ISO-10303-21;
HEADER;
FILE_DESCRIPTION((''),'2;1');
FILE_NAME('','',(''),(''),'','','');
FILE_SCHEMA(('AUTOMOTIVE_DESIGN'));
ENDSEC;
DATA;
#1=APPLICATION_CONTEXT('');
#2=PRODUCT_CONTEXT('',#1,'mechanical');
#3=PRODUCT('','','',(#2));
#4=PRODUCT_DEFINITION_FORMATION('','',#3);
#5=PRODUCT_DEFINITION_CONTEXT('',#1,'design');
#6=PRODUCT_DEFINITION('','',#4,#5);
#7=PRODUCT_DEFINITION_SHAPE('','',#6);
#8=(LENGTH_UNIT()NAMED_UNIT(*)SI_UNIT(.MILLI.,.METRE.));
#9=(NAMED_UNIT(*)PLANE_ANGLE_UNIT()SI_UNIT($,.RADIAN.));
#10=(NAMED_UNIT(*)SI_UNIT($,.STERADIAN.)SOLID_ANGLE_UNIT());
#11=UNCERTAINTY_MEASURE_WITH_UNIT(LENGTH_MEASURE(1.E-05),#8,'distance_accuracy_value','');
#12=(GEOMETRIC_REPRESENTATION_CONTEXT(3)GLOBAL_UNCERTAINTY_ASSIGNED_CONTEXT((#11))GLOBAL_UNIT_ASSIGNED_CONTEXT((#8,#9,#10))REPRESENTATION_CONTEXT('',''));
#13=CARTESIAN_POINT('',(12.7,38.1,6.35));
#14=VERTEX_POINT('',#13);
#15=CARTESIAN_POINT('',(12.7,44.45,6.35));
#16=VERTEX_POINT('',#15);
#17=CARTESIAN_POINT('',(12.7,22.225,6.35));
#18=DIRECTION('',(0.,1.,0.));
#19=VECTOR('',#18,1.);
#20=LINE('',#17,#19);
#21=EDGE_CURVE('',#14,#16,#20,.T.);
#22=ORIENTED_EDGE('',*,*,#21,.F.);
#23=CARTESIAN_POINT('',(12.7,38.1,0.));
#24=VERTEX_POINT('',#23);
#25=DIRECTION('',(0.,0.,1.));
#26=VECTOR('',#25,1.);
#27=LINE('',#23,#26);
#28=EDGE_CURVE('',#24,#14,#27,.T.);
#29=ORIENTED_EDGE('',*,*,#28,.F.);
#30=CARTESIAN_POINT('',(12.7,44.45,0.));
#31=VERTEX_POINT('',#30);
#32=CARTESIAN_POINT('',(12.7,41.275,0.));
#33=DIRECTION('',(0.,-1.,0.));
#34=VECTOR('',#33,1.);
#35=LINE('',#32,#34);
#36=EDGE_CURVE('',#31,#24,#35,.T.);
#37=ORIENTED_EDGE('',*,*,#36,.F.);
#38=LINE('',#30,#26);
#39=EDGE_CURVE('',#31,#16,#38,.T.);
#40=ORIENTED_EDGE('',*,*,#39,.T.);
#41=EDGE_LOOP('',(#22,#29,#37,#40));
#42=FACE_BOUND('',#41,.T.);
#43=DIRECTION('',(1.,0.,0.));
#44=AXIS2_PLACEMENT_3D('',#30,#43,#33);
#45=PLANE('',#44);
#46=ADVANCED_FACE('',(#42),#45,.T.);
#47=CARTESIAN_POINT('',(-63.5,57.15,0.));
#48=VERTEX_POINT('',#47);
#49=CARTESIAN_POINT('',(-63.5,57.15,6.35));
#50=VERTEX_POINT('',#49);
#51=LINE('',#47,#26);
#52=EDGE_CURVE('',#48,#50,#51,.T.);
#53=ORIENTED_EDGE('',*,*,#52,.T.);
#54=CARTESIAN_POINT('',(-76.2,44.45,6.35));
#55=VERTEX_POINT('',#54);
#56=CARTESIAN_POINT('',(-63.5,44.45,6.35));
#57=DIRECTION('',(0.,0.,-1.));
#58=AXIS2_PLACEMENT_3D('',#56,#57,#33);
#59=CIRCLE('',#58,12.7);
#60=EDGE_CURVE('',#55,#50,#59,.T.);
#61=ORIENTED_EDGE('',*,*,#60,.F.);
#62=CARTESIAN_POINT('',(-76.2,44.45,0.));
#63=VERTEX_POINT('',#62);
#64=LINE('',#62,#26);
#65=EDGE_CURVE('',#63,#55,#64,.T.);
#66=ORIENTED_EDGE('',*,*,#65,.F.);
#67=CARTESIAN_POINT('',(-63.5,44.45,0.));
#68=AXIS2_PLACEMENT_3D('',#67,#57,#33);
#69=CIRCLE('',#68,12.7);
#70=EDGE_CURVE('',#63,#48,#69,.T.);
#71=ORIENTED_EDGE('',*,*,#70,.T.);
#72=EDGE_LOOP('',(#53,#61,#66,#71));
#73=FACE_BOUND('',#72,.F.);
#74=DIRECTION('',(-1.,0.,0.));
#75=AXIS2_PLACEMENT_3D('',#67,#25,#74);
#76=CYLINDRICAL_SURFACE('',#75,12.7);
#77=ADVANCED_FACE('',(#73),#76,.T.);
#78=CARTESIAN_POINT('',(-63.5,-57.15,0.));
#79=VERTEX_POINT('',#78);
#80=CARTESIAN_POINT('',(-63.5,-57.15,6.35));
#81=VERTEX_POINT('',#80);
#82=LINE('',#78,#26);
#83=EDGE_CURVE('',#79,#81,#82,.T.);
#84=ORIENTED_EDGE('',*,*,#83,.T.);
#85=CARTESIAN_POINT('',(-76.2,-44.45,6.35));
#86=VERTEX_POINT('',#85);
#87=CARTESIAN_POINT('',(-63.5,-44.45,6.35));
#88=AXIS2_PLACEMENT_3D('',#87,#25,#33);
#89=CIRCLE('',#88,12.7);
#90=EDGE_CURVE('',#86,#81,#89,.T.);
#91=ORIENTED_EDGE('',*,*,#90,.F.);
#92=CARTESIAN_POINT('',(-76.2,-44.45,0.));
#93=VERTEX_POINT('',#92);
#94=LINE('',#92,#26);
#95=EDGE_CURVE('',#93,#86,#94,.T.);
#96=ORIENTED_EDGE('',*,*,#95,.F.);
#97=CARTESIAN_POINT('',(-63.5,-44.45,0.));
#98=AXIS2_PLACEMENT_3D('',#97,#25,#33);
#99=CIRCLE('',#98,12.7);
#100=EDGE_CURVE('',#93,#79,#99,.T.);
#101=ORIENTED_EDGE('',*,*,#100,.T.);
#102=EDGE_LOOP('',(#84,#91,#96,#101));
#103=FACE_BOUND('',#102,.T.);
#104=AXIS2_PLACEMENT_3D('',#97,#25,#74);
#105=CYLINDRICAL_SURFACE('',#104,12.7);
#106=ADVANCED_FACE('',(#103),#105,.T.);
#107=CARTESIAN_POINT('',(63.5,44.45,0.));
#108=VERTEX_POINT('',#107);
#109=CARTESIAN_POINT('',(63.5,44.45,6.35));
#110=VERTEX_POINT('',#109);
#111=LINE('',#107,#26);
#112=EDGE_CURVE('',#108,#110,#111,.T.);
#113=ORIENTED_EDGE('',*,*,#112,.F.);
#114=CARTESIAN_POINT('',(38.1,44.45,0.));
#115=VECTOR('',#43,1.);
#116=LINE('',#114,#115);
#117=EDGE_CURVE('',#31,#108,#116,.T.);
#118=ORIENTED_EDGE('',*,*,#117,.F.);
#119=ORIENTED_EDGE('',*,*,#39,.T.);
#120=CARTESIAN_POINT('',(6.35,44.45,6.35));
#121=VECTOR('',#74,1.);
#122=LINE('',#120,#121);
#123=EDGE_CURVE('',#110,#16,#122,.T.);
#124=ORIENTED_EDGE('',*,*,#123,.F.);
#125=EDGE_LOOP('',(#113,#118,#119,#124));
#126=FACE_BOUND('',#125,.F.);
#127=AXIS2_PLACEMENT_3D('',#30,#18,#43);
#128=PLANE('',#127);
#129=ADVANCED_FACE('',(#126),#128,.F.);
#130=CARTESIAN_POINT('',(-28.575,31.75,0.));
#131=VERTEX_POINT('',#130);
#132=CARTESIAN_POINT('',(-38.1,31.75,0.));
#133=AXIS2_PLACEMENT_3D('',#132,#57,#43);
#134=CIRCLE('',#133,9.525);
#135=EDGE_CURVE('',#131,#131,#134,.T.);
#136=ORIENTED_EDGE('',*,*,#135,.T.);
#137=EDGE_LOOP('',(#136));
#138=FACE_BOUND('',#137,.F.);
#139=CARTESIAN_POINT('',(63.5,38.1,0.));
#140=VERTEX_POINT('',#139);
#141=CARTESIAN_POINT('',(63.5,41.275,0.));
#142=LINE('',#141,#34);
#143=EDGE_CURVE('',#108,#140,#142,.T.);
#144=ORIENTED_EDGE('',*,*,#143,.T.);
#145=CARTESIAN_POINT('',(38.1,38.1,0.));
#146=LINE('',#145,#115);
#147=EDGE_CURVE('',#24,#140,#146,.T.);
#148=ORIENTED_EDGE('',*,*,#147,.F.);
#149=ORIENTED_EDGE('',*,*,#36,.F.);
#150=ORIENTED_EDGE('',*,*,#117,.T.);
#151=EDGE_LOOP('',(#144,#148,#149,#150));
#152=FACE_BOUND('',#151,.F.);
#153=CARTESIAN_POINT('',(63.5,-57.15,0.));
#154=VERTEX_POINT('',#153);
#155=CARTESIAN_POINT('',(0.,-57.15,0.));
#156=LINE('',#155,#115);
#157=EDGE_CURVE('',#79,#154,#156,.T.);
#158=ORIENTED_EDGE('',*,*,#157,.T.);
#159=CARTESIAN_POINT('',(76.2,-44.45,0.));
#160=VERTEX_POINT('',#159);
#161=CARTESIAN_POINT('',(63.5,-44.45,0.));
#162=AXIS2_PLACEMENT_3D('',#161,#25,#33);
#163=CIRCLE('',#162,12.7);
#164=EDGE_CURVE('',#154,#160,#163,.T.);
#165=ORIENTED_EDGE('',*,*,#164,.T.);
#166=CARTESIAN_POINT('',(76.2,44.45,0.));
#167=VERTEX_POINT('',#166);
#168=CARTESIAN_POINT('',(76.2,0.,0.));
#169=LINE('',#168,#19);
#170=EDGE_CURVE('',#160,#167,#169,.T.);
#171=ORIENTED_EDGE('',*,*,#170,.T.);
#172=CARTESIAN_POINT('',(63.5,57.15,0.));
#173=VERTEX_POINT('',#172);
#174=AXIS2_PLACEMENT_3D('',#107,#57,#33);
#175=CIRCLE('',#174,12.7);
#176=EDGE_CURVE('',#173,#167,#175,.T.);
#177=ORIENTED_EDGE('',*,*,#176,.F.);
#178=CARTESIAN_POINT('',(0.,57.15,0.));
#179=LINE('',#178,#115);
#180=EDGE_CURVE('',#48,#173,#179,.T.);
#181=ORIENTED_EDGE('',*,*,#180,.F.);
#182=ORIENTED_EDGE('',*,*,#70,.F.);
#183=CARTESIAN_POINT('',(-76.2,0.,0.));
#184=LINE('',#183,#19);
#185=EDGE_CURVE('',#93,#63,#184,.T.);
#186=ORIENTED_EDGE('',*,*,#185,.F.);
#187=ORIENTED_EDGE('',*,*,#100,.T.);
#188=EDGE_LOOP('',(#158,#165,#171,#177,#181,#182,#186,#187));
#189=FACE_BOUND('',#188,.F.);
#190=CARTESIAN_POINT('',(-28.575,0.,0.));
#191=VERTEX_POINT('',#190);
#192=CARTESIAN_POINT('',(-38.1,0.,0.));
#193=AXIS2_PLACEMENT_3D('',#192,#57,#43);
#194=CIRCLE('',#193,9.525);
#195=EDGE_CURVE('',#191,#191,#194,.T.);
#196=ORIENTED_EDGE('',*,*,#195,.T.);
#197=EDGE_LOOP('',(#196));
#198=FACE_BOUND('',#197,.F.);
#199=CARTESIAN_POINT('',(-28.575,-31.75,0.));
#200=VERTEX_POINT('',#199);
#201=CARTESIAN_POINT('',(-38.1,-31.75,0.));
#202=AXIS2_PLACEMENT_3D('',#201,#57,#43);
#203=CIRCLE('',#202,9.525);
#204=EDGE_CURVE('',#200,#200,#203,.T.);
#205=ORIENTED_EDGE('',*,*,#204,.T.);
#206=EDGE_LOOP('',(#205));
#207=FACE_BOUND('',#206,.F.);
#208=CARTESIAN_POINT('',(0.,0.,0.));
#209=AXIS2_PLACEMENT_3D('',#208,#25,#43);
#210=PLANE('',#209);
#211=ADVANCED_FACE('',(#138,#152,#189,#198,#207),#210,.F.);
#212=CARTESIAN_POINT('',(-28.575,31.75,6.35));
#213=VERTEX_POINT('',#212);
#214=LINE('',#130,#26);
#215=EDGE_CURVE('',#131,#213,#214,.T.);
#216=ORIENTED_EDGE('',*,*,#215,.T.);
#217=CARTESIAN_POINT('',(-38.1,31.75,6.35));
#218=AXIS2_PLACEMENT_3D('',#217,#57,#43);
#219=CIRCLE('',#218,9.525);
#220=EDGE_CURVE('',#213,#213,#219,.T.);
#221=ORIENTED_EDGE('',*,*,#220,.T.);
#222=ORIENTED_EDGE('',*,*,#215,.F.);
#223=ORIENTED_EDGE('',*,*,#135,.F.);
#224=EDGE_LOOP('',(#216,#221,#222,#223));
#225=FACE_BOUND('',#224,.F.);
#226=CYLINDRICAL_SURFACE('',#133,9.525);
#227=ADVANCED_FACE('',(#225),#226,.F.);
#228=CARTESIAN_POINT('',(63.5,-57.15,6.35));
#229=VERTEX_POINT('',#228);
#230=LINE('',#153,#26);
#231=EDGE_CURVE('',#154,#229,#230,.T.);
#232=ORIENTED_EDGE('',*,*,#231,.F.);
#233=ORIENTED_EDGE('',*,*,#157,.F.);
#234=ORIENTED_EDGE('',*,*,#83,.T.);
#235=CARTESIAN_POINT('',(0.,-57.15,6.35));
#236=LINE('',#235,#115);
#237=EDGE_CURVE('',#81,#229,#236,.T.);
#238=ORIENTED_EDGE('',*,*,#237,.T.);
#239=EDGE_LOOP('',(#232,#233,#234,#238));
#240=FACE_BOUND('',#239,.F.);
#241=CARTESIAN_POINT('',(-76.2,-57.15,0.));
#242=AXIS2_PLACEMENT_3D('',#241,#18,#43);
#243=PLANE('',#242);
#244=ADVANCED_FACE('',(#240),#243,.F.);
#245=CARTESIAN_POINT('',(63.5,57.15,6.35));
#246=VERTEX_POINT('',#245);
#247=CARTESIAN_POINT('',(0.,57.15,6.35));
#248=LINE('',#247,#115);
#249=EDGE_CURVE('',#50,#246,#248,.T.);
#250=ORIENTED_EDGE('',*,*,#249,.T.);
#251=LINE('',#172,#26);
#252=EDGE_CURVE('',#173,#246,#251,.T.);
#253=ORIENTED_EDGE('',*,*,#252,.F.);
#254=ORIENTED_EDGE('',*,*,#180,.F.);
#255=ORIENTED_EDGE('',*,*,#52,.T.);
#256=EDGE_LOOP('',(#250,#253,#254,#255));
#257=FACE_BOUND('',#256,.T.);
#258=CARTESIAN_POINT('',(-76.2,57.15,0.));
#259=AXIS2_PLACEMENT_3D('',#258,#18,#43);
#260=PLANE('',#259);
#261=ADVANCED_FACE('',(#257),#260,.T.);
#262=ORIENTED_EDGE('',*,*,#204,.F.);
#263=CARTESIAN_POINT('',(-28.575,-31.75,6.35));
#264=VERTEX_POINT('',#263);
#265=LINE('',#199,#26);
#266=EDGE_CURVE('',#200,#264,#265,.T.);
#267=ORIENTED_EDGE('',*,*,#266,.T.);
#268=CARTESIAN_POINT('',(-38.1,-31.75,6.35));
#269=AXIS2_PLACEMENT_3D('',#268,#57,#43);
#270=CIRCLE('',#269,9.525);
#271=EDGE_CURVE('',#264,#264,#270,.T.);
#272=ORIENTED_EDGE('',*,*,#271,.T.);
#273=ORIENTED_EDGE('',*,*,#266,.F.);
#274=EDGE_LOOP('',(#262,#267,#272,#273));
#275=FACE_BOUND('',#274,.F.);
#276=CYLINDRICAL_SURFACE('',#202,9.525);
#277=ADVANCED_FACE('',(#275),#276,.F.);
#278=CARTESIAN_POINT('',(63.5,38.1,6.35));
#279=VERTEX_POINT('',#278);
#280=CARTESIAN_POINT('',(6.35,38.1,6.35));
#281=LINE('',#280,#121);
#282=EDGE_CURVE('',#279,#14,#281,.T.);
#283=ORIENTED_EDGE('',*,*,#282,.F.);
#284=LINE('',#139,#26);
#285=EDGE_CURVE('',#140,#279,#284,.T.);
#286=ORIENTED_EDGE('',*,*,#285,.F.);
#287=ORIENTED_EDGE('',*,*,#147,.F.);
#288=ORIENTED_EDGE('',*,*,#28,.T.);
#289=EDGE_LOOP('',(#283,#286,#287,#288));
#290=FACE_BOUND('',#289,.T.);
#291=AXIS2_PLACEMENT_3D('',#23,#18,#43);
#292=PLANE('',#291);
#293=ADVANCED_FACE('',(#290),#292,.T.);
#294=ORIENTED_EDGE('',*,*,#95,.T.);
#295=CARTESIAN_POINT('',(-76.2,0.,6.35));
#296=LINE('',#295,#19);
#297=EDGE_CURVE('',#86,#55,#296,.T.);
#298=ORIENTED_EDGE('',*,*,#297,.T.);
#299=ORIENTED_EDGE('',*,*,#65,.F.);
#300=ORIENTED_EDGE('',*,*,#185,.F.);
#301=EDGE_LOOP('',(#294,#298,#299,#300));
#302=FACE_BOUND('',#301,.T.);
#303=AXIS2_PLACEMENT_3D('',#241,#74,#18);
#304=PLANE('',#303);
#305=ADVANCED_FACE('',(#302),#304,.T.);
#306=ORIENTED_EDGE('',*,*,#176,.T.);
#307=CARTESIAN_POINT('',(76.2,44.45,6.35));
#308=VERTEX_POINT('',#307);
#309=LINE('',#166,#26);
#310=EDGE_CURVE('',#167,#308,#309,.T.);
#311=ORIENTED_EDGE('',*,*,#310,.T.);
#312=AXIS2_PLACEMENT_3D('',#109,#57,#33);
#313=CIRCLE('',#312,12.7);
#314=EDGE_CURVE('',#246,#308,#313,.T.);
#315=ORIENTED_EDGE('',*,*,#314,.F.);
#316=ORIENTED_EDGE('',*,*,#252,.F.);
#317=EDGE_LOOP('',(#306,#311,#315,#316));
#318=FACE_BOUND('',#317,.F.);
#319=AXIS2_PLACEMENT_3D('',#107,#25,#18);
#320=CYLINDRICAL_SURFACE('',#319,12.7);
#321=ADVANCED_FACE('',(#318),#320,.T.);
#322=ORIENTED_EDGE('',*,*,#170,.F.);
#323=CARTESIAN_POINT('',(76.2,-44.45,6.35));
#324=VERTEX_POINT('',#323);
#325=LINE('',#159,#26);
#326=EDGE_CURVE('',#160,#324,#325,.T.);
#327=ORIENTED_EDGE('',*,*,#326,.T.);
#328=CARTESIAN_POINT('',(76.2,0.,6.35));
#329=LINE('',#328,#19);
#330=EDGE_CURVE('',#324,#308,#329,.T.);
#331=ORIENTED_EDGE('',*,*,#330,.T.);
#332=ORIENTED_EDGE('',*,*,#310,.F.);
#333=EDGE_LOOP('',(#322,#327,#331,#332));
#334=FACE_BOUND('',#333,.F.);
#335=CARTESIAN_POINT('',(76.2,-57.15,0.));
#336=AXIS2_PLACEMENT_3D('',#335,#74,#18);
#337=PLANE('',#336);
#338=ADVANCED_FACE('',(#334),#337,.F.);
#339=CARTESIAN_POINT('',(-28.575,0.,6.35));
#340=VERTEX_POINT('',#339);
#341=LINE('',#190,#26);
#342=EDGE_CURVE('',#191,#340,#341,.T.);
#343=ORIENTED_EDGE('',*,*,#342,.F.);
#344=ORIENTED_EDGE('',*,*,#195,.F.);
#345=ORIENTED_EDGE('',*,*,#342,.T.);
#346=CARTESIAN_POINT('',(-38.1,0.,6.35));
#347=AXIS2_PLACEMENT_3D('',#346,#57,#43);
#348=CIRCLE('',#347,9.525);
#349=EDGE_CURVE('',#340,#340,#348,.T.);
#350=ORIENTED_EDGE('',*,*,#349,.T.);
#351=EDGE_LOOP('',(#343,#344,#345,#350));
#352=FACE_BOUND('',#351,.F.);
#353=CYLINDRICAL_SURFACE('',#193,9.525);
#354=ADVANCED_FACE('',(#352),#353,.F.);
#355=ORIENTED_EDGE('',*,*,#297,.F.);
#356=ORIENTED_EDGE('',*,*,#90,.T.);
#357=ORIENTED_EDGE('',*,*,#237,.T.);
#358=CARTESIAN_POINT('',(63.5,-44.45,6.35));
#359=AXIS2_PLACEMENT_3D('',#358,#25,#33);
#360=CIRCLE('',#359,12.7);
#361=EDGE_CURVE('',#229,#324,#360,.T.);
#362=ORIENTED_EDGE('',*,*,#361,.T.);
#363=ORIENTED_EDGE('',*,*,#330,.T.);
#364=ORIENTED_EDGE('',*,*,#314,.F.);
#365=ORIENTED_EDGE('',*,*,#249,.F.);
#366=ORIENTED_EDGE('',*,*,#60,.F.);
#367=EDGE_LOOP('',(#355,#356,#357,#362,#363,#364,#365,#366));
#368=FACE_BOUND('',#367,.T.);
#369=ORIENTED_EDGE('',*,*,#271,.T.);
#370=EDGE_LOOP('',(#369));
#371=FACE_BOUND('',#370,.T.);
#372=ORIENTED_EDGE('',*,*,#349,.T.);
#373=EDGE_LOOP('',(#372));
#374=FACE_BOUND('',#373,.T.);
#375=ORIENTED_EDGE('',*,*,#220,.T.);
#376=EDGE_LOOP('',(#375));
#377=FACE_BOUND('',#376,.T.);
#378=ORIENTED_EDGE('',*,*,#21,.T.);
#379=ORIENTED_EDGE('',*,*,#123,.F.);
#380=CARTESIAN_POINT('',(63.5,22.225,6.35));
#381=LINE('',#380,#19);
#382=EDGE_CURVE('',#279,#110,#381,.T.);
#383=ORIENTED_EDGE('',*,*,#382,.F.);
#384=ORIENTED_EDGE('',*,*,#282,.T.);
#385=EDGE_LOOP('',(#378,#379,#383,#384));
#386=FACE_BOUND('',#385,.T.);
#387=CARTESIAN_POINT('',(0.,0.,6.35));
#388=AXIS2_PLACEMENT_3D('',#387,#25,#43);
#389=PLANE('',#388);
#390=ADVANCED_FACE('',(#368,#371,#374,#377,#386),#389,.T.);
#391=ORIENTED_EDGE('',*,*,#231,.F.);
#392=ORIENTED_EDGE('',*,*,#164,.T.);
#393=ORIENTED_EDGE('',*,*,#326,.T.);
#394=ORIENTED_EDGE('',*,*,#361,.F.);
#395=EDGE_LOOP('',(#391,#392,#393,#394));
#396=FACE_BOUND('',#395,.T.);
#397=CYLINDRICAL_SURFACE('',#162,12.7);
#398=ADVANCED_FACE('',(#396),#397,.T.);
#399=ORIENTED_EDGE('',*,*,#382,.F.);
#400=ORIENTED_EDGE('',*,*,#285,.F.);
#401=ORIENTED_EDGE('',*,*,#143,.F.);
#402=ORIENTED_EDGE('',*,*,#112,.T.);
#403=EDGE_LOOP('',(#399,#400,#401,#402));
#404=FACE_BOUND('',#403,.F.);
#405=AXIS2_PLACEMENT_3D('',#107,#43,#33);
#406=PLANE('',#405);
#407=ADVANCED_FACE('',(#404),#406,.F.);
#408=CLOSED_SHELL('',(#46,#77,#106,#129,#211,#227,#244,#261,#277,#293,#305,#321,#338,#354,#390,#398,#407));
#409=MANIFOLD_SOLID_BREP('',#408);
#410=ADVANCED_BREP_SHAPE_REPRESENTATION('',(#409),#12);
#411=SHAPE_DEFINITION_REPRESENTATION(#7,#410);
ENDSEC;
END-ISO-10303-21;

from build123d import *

# Parameters (mm, degrees)
F0_W     = 152.4
F0_H     = 114.3
F1_DEPTH = 6.35
F2_R     = 9.525
F3_DEPTH = 25.4
F5_R     = 12.7
F6_W     = 50.8
F6_H     = 6.35
F7_DEPTH = 25.4


with BuildPart() as f1:
    # F0 (on Top) → F1 (new body)
    with BuildSketch(Plane.XY):
        Rectangle(F0_W, F0_H)
    extrude(amount=F1_DEPTH)

    # F2 (on face) → F3 (cut)
    with BuildSketch(Plane(origin=(0, 0, 0), x_dir=(1, 0, 0), z_dir=(0, 0, -1))):
        with Locations((-38.1, 0)):
            Circle(F2_R)
        with Locations((-38.1, 31.75)):
            Circle(F2_R)
        with Locations((-38.1, -31.75)):
            Circle(F2_R)
    extrude(amount=-F3_DEPTH, mode=Mode.SUBTRACT)

    # F5
    f5_edges = [f1.edges().sort_by_distance(p)[0] for p in [
        (-76.2, -57.15, 3.175),
        (-76.2, 57.15, 3.175),
        (76.2, 57.15, 3.175),
        (76.2, -57.15, 3.175),
    ]]
    fillet(f5_edges, radius=F5_R)

    # F6 (on face) → F7 (cut)
    with BuildSketch(Plane(origin=(0, 0, 0), x_dir=(1, 0, 0), z_dir=(0, 0, -1))):
        with Locations((38.1, -41.275)):
            Rectangle(F6_W, F6_H)
    extrude(amount=-F7_DEPTH, mode=Mode.SUBTRACT)


solid = f1.part
